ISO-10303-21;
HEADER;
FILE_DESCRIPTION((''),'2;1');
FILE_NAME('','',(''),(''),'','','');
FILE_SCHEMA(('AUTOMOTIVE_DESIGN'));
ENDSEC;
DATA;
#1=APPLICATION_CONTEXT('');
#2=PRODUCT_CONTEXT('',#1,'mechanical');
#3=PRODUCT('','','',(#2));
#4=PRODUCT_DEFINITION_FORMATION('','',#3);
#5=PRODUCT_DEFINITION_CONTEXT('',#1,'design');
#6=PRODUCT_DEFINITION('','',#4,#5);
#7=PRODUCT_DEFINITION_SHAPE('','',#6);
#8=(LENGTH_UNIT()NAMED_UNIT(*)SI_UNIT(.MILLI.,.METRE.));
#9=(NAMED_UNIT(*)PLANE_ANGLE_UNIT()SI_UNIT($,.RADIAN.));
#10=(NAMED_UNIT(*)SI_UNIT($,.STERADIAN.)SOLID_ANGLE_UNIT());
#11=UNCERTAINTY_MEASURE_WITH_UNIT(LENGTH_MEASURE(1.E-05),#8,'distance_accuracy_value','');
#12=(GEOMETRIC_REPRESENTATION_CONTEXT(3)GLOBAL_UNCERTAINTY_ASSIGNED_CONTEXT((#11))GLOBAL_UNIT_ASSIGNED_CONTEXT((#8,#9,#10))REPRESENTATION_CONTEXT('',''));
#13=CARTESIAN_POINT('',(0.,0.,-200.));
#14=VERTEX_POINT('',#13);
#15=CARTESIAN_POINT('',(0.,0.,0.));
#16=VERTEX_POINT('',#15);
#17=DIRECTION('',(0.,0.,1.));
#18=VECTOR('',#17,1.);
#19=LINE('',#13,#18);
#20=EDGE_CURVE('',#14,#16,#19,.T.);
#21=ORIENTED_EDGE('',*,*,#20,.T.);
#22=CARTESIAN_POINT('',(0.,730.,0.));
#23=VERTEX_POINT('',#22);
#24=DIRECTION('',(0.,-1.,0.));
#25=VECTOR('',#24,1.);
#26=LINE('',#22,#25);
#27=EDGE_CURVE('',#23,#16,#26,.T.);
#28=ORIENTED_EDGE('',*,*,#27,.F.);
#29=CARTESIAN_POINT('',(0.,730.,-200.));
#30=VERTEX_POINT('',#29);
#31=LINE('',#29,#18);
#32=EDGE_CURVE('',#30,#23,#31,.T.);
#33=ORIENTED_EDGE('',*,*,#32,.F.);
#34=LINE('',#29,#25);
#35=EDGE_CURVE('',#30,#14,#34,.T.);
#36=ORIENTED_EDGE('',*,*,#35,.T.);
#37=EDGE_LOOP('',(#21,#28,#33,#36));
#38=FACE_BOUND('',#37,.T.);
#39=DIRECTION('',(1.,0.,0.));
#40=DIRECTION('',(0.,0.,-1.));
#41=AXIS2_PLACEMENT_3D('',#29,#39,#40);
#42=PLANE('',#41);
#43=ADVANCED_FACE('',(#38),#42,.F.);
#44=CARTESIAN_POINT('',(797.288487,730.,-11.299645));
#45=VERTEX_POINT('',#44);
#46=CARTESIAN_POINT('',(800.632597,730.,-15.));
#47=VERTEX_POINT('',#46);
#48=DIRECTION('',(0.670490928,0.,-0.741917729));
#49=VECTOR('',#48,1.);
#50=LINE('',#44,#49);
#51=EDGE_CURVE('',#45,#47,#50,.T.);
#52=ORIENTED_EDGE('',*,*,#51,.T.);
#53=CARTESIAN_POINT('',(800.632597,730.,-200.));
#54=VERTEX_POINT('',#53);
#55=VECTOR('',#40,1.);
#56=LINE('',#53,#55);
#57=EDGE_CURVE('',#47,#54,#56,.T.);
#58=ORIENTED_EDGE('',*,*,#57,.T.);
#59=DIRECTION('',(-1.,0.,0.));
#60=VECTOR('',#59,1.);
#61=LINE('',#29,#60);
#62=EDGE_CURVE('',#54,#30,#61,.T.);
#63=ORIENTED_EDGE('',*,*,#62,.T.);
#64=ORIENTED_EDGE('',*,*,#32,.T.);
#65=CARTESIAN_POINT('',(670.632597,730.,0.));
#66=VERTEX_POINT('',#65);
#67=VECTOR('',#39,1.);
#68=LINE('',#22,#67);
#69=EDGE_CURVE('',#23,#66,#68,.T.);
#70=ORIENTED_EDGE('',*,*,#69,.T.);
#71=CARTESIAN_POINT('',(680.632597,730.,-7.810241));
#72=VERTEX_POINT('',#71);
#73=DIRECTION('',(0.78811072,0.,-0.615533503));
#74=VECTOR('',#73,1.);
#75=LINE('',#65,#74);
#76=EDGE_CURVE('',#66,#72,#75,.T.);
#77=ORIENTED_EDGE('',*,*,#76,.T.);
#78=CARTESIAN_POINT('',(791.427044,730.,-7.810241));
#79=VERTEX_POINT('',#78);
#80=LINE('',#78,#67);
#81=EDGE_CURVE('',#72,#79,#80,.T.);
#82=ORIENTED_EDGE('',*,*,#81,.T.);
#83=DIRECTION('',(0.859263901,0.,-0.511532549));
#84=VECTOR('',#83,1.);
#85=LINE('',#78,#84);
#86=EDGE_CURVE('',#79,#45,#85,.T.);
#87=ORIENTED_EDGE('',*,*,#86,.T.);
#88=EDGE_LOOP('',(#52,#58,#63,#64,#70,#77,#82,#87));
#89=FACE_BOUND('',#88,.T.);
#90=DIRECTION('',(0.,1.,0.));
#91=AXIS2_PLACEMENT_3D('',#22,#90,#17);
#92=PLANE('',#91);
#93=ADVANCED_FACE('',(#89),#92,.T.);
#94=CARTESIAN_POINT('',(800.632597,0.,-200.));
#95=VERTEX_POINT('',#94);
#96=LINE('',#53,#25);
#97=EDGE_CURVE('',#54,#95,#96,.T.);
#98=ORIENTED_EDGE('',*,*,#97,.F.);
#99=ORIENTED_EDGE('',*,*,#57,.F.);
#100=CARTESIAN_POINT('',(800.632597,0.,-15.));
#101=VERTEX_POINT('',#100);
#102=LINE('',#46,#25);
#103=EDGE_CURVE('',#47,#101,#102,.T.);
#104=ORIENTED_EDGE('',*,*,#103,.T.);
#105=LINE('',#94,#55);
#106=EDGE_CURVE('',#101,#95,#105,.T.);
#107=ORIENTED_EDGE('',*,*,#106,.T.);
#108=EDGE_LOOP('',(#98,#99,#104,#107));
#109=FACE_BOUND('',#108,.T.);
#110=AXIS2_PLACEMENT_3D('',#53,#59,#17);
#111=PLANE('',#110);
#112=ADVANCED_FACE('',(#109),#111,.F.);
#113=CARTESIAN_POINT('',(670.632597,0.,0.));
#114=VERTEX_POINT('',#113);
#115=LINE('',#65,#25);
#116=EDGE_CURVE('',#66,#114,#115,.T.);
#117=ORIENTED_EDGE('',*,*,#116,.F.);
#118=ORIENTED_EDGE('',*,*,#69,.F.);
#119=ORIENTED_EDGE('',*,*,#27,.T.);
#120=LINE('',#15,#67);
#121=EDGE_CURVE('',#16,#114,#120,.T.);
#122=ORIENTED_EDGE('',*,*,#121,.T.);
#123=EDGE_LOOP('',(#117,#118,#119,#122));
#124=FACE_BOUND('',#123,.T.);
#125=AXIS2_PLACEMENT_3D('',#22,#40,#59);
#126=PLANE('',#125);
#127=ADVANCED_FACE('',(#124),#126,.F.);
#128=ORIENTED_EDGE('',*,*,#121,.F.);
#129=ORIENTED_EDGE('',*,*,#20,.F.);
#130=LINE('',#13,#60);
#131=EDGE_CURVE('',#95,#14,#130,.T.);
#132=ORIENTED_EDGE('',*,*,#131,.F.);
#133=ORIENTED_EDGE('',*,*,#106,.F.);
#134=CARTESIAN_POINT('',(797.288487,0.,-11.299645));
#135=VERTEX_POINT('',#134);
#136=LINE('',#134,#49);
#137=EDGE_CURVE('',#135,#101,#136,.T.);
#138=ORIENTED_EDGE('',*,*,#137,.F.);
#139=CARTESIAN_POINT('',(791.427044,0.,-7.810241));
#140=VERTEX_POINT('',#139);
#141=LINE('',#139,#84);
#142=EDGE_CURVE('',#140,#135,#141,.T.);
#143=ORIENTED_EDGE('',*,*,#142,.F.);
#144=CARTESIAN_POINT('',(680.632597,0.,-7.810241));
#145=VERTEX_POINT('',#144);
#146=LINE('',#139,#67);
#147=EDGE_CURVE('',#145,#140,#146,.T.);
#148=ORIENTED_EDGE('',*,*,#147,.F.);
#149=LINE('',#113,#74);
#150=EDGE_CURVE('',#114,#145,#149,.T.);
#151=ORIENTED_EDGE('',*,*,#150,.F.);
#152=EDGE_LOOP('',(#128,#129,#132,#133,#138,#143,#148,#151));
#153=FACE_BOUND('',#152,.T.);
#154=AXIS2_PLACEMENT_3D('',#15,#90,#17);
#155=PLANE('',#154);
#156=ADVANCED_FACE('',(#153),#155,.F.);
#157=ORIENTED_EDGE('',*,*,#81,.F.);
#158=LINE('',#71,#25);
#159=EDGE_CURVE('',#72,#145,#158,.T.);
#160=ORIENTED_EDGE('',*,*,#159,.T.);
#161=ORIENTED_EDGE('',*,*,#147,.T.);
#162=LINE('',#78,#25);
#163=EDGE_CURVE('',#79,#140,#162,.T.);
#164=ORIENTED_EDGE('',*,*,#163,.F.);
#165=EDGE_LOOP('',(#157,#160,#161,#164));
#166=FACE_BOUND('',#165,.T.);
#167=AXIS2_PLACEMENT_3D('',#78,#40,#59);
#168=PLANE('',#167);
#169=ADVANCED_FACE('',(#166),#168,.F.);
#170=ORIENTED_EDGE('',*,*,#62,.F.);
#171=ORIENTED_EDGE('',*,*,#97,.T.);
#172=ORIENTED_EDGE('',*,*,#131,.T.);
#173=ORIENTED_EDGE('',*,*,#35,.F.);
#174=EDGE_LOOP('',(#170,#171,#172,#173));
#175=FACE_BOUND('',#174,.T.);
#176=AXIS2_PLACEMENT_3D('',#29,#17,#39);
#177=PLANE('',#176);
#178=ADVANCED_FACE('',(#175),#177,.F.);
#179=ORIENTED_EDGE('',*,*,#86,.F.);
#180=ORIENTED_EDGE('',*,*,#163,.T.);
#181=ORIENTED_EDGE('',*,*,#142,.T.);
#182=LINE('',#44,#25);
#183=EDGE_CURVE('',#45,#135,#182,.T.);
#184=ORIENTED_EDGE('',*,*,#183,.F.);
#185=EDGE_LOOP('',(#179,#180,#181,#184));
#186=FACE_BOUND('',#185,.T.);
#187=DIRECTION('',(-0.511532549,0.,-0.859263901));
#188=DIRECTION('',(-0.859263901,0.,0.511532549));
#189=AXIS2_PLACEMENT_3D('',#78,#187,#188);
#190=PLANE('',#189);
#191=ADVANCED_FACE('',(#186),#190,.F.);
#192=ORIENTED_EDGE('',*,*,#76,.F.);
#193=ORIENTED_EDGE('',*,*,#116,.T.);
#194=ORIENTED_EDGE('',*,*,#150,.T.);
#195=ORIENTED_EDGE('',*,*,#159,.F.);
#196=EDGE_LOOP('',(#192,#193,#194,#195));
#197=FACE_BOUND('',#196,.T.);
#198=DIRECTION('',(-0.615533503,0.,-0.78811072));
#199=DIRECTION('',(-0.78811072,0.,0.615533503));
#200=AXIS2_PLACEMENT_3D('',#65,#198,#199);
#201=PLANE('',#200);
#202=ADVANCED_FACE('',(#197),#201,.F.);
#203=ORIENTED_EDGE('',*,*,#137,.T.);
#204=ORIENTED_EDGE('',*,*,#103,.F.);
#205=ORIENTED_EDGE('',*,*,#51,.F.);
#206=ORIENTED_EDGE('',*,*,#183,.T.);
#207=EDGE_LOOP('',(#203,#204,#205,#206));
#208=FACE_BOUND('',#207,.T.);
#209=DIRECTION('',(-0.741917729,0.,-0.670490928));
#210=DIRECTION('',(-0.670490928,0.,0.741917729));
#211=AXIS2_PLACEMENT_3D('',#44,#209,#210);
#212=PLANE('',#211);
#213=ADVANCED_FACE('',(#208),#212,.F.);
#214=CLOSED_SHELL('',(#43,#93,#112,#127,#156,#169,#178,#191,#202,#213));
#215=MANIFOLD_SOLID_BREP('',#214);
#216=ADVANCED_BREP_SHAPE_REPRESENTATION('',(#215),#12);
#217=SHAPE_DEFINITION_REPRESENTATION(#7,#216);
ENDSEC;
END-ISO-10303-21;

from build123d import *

# Parameters (mm, degrees)
EXTRUDE_1_DEPTH = 730


with BuildPart() as part:
    # Эскиз1 → Бобышка-Вытянуть1 (new body)
    with BuildSketch(Plane(origin=(0, 0, 0), x_dir=(1, 0, 0), z_dir=(0, 1, 0))):
        Polygon((0, 0), (670.632596603, 0), (680.632596603, 7.810241479), (791.427044457, 7.810241479), (797.288486629, 11.299644972), (800.632596603, 15), (800.632596603, 200), (0, 200), align=None)
    extrude(amount=EXTRUDE_1_DEPTH)


solid = part.part
